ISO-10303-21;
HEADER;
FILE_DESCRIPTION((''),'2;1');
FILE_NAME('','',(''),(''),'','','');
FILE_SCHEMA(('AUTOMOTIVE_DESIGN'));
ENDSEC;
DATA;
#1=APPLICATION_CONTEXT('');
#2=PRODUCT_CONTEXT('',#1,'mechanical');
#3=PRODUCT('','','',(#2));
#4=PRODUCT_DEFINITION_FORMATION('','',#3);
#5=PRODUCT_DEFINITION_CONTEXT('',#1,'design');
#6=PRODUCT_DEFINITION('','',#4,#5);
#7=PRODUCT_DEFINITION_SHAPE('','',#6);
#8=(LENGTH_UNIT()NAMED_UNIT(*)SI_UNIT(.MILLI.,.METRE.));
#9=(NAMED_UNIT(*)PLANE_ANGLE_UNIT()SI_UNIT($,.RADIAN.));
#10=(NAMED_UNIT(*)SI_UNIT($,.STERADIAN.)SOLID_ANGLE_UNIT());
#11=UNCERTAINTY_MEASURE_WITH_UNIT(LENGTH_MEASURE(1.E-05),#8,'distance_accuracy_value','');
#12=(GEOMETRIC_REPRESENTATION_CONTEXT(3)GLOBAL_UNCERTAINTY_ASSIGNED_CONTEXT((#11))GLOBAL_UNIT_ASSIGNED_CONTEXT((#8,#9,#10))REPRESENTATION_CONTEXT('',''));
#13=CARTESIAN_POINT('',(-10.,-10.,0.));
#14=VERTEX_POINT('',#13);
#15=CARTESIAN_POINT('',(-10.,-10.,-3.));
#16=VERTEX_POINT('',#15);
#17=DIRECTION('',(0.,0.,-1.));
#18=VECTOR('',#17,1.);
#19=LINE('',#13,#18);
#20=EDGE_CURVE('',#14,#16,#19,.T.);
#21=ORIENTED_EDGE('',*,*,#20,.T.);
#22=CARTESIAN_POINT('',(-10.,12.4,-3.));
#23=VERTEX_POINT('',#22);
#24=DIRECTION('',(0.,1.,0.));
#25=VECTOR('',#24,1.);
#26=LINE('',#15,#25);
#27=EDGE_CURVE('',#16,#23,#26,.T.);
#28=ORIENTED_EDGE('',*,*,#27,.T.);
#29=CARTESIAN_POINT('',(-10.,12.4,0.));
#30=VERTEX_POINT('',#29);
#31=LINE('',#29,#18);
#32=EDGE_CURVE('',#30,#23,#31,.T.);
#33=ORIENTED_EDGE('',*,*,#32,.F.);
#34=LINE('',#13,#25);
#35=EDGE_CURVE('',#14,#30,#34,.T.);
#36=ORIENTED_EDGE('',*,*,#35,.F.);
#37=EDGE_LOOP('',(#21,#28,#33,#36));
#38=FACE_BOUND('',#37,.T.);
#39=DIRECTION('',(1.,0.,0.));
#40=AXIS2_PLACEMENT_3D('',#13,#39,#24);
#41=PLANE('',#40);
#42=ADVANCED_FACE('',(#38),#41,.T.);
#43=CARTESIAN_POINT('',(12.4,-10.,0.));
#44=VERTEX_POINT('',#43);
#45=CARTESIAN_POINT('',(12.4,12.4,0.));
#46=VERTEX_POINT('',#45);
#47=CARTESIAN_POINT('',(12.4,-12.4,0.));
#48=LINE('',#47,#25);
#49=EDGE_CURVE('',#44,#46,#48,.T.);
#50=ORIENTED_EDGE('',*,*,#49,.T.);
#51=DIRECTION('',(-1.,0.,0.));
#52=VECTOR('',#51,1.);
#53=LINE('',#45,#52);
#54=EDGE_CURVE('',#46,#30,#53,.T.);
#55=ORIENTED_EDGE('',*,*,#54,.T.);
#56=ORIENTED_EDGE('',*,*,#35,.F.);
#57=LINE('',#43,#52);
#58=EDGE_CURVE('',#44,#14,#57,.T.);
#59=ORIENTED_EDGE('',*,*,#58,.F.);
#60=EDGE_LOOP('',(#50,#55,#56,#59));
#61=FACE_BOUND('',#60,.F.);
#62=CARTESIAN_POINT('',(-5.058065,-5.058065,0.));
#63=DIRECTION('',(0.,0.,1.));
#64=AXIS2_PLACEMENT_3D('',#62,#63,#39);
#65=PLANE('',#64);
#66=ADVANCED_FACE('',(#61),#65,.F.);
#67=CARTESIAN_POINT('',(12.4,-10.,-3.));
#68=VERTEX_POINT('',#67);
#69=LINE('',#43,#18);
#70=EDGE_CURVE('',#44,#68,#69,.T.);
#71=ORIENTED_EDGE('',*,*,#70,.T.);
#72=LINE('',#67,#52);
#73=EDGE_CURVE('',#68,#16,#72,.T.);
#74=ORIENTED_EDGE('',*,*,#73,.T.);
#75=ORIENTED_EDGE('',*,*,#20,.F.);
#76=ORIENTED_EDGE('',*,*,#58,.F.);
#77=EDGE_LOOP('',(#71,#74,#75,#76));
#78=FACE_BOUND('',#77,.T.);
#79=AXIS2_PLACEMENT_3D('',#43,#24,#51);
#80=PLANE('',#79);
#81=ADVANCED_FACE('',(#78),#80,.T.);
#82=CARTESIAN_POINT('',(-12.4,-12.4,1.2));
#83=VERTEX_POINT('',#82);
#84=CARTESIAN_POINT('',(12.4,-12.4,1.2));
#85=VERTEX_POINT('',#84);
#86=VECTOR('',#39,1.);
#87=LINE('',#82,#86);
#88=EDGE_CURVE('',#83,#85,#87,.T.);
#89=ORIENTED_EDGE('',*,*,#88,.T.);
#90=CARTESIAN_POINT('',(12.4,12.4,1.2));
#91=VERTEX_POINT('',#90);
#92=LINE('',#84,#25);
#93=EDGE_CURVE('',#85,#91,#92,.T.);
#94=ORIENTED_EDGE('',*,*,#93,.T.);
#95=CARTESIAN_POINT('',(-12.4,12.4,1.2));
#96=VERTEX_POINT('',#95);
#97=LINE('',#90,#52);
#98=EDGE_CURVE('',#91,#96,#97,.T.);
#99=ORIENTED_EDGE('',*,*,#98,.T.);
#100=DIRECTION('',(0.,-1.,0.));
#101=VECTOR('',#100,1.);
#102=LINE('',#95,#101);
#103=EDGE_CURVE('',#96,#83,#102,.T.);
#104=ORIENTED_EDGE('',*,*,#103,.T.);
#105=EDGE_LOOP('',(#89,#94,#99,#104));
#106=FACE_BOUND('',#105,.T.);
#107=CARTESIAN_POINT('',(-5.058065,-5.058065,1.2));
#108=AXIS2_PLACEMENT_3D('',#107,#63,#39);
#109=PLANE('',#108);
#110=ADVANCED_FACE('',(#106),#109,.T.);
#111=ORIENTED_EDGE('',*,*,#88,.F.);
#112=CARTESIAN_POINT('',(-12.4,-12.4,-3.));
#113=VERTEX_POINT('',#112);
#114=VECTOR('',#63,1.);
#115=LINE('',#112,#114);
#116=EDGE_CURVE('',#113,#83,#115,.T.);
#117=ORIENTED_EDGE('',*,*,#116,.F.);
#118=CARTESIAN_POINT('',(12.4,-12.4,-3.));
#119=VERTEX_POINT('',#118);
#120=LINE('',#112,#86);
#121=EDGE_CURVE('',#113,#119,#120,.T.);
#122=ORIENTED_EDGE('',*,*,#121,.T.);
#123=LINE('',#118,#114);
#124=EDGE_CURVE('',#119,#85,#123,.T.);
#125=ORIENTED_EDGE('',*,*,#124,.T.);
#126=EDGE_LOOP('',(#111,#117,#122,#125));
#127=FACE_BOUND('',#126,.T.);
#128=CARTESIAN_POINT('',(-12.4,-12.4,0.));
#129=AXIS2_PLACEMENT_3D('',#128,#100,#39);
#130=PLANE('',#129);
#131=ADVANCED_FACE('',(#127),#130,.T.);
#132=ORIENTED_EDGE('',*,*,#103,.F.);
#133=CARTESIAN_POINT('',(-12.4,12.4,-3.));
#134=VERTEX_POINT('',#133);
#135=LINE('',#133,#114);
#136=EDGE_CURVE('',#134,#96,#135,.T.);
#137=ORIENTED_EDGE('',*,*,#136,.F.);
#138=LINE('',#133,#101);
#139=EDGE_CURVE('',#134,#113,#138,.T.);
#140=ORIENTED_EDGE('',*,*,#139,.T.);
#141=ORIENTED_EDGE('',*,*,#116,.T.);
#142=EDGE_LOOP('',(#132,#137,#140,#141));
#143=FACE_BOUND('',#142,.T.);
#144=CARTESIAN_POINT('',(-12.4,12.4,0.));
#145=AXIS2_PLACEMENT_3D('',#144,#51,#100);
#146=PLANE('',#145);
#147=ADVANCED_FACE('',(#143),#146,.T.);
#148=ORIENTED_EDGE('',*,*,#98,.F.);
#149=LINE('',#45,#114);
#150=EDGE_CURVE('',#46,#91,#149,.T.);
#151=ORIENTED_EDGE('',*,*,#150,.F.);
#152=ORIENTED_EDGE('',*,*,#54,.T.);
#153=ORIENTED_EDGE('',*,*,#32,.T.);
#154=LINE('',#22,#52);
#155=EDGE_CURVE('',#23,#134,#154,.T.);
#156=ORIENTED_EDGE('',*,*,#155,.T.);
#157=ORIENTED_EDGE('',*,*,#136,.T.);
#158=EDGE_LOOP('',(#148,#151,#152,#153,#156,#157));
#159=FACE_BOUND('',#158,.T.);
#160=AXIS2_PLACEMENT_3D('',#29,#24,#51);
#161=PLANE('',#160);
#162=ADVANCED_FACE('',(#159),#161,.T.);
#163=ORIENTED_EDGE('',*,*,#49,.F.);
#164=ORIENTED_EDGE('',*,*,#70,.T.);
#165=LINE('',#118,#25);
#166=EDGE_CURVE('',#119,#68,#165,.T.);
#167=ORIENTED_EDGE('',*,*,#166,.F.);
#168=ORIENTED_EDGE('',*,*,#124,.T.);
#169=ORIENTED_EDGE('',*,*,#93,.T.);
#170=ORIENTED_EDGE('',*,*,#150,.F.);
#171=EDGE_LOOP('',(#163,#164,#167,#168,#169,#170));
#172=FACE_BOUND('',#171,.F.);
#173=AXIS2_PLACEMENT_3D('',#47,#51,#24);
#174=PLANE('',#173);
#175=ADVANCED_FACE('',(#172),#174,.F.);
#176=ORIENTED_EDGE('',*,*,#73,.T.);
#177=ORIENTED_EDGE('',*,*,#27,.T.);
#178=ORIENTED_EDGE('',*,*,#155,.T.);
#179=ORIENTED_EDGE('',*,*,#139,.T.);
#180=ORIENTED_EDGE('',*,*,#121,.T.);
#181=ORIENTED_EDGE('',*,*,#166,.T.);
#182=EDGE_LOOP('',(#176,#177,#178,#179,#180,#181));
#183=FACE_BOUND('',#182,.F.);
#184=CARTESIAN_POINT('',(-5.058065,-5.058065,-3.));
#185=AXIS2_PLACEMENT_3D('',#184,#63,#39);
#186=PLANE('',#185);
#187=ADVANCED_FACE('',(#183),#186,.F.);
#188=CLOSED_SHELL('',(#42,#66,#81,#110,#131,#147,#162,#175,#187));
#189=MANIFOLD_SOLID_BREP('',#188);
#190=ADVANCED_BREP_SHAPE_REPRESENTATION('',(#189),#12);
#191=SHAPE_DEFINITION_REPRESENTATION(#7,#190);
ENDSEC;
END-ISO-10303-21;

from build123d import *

# Parameters (mm, degrees)
F1_DEPTH = 1.2
F2_DEPTH = 3


with BuildPart() as f1:
    # F0 (on Top) → F1 (new body)
    with BuildSketch(Plane.XY):
        Polygon((-10, 12.4), (-12.4, 12.4), (-12.4, -12.4), (12.4, -12.4), (12.4, -10), (10, -10), (-10, -10), (-10, 10), align=None)
        Polygon((12.4, 12.4), (-10, 12.4), (-10, 10), (-10, -10), (10, -10), (12.4, -10), align=None)
    extrude(amount=F1_DEPTH)

    # F0 (on Top) → F2 (join)
    with BuildSketch(Plane.XY):
        Polygon((-10, 12.4), (-12.4, 12.4), (-12.4, -12.4), (12.4, -12.4), (12.4, -10), (10, -10), (-10, -10), (-10, 10), align=None)
    extrude(amount=-F2_DEPTH)


solid = f1.part
